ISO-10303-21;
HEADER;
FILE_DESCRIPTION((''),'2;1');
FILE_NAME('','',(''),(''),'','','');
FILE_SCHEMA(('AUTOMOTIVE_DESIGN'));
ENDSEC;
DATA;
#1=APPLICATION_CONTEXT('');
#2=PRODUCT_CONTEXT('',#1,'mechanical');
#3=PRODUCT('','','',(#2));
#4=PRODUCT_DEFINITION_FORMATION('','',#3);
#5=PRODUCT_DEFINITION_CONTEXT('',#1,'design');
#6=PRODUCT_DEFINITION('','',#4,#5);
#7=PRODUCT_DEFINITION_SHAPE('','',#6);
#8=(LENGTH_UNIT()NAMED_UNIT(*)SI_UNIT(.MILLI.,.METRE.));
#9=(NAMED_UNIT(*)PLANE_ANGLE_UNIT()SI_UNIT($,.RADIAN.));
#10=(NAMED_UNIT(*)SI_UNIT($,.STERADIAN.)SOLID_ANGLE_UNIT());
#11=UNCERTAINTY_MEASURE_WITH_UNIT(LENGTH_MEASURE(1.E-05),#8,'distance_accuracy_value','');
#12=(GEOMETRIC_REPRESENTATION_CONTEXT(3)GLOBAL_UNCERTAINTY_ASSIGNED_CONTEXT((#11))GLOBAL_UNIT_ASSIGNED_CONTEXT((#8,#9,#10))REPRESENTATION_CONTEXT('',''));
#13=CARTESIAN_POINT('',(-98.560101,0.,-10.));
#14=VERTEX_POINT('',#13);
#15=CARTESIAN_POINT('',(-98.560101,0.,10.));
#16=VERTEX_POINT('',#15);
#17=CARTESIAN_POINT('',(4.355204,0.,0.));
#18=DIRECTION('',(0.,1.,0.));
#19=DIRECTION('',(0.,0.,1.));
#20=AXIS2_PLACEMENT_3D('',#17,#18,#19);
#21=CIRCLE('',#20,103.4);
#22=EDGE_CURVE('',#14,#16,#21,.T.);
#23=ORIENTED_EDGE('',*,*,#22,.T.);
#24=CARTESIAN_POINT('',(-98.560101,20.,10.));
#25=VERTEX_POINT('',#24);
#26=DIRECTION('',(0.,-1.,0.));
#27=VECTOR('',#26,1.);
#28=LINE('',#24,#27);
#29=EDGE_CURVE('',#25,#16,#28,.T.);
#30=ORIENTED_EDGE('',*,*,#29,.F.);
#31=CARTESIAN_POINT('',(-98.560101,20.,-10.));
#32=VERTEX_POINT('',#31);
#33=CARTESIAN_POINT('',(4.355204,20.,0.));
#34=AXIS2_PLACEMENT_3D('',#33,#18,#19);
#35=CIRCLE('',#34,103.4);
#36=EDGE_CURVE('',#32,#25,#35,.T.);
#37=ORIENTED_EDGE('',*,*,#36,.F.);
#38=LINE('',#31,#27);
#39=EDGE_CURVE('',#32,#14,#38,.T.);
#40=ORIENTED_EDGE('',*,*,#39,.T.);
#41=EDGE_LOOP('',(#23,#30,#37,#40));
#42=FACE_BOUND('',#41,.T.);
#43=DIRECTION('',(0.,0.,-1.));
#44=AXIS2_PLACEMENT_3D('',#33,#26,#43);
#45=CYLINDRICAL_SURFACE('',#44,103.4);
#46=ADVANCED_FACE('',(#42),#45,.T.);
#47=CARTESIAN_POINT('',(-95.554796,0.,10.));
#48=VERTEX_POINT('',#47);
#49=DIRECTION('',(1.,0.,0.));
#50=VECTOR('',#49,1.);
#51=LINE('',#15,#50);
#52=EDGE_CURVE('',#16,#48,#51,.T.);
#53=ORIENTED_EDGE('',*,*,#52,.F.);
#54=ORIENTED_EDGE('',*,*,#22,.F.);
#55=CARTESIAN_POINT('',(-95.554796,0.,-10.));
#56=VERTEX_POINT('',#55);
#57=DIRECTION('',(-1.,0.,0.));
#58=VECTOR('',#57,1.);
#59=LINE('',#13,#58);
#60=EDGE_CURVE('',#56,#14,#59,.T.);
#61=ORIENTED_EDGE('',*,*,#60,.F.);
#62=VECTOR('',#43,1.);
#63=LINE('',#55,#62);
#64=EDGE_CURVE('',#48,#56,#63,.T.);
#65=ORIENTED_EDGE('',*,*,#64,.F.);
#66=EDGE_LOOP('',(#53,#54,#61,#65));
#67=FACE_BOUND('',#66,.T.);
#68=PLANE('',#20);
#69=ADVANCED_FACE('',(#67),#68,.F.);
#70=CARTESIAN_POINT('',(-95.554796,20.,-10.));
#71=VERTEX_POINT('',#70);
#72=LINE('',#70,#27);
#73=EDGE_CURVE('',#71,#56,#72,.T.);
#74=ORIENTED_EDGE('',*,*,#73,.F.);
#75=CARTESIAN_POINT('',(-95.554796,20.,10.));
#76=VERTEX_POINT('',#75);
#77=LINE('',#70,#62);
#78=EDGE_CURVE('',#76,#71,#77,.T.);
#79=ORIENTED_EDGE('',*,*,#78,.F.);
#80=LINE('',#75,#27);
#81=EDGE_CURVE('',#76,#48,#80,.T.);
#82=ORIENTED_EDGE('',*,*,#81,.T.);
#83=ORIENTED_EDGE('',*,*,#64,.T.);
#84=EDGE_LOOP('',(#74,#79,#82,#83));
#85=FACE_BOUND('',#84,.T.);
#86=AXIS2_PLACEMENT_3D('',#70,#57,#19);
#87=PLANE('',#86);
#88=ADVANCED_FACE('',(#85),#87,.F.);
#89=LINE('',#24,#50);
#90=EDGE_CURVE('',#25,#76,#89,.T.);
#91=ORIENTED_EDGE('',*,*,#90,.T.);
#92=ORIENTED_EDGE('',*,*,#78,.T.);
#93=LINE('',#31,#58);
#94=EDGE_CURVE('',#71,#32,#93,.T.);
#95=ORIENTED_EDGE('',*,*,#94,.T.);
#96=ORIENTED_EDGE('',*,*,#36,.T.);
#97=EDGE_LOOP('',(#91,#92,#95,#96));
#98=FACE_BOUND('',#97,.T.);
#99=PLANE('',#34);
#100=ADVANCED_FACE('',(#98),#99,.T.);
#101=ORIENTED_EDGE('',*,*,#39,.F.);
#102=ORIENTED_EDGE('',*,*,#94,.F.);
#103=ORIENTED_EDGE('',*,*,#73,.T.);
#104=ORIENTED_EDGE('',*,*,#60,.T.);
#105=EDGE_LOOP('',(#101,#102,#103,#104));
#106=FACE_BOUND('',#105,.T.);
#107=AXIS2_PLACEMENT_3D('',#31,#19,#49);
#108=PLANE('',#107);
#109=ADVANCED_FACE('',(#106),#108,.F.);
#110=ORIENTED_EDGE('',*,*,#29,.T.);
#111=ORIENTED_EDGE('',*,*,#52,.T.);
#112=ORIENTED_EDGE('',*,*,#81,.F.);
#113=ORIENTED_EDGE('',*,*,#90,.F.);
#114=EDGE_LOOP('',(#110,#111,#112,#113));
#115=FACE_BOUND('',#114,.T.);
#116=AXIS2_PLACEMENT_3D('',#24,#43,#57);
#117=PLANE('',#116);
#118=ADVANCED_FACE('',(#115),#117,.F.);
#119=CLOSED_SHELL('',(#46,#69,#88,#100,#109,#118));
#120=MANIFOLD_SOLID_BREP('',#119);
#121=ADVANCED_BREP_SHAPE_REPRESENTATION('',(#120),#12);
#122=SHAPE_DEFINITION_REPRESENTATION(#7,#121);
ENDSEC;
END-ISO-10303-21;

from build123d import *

# Parameters (mm, degrees)
EXTRUDE_1_DEPTH = 20


with BuildPart() as part:
    # 草图1 → 凸台-拉伸1 (new body)
    with BuildSketch(Plane(origin=(0, 0, 0), x_dir=(1, 0, 0), z_dir=(0, 1, 0))):
        with BuildLine():
            Line((-98.560100649, 10), (-95.554795665, 10))
            Line((-95.554795665, 10), (-95.554795665, -10))
            Line((-95.554795665, -10), (-98.560100649, -10))
            ThreePointArc((-98.560100649, -10), (-99.044795665, 0), (-98.560100649, 10))
        make_face()
    extrude(amount=EXTRUDE_1_DEPTH)


solid = part.part
